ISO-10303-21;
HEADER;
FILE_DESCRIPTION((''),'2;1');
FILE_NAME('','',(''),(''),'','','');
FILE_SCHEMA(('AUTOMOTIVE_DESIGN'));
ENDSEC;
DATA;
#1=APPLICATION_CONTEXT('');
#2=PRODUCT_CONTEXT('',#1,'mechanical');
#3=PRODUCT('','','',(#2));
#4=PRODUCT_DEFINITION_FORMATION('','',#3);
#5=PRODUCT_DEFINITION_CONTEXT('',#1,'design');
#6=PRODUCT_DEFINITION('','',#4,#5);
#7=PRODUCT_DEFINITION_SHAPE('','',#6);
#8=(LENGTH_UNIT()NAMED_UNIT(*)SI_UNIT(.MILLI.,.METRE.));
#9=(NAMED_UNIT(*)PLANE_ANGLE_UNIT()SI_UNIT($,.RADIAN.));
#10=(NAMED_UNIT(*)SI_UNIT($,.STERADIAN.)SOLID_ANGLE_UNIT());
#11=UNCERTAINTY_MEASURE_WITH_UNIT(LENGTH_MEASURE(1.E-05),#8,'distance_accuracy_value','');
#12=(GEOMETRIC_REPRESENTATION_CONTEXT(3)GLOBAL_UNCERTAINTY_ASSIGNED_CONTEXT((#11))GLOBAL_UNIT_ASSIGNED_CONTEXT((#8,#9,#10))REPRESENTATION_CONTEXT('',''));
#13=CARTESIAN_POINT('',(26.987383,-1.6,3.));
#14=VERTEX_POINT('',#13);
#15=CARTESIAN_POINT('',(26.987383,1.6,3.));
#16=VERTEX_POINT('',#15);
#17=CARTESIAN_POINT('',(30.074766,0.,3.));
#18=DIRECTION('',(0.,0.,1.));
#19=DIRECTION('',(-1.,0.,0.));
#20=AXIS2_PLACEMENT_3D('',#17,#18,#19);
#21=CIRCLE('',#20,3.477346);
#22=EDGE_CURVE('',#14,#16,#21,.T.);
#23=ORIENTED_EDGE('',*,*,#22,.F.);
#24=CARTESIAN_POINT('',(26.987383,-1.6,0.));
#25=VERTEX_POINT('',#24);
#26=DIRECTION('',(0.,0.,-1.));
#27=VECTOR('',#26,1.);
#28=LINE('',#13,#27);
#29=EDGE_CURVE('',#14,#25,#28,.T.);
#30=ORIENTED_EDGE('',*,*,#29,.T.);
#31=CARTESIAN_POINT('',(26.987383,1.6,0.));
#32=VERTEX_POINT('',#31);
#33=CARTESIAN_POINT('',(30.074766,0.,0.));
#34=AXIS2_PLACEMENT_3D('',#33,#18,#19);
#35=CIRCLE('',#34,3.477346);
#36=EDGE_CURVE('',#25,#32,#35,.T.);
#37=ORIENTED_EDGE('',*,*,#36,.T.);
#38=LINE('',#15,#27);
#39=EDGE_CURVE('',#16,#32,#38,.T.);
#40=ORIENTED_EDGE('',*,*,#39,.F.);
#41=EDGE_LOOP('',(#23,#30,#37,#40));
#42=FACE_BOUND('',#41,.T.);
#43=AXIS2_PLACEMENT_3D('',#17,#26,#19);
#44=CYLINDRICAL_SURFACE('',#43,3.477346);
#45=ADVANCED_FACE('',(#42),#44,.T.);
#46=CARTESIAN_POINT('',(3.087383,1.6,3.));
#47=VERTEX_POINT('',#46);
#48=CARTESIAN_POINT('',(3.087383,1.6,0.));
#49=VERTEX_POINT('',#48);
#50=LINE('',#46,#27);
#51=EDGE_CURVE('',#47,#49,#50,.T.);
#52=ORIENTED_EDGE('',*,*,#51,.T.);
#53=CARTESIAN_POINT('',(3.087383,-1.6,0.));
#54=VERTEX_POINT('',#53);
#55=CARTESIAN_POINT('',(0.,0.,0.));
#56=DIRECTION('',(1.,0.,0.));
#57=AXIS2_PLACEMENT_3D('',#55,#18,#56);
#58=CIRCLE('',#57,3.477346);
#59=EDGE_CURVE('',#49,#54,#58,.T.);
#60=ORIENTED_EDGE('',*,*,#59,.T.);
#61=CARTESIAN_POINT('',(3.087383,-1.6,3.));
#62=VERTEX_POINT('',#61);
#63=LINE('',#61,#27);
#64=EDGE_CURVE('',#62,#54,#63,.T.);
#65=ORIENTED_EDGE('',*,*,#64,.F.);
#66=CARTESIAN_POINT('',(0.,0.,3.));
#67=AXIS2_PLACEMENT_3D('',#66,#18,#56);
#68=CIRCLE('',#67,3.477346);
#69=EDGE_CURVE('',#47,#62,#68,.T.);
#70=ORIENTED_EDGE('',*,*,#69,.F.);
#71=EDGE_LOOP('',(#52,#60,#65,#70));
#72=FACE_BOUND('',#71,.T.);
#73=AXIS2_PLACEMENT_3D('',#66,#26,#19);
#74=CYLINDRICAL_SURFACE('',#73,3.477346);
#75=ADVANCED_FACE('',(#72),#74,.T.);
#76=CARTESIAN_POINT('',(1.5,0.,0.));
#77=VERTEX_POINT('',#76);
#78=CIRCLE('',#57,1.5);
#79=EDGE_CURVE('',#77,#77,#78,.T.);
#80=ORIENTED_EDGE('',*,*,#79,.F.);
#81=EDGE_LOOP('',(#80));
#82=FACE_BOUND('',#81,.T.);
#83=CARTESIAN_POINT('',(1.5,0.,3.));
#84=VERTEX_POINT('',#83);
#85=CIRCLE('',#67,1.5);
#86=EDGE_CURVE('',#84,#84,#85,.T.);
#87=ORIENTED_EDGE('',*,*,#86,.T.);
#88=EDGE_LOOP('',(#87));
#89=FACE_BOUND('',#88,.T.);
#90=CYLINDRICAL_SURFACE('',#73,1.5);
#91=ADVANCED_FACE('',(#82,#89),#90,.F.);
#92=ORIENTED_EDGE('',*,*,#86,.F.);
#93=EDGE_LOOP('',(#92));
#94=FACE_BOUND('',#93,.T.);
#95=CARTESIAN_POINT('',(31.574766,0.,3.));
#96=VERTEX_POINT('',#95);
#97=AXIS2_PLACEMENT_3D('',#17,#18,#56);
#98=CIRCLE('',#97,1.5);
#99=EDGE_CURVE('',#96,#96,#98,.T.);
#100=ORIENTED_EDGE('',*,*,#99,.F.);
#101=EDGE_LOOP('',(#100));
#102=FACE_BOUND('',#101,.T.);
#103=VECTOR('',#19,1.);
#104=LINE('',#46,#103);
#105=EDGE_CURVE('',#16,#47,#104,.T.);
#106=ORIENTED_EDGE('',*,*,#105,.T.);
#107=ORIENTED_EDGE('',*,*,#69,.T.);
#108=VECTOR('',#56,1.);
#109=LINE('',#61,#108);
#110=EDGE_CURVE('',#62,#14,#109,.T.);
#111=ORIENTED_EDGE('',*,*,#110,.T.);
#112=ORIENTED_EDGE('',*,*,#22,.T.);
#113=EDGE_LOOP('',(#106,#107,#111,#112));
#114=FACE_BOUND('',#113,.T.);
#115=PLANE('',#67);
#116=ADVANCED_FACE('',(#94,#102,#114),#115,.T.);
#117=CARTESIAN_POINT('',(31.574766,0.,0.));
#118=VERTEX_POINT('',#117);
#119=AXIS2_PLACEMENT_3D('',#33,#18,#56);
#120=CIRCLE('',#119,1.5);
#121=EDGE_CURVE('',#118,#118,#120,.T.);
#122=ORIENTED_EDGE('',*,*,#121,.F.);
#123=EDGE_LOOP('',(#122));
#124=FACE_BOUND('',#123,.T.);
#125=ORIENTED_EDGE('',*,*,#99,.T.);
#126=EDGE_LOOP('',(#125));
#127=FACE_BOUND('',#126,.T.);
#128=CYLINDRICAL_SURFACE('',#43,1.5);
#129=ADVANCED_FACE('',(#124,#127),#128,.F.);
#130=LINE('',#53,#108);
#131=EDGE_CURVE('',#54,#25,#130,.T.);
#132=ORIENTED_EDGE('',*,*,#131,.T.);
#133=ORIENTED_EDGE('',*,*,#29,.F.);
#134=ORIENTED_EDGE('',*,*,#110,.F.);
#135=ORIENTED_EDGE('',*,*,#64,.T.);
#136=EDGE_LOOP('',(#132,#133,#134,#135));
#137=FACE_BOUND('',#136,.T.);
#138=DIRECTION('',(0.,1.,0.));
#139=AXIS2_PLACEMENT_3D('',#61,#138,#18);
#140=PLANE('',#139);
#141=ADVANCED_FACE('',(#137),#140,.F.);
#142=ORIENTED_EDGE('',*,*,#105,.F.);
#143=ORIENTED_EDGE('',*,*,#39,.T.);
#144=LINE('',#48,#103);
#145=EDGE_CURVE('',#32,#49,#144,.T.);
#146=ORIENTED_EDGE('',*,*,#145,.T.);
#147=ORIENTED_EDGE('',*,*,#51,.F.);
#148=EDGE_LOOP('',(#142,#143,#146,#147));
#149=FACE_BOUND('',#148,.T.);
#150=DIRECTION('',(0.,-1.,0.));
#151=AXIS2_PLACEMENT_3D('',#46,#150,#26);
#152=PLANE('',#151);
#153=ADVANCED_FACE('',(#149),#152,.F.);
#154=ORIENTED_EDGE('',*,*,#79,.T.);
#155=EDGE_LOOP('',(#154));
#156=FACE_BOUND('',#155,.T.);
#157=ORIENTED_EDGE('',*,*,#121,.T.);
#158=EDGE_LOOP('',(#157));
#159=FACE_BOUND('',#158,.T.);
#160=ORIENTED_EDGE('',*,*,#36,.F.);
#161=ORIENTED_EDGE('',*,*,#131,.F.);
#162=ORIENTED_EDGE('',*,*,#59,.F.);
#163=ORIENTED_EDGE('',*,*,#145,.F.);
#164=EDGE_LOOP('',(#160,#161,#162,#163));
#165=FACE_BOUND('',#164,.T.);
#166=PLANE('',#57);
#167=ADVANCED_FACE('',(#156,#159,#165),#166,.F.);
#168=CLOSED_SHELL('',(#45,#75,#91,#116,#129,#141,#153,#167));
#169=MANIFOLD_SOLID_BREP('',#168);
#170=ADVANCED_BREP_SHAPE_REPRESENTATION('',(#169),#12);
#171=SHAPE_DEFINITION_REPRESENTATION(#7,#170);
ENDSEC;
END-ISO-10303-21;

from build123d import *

# Parameters (mm, degrees)
SKETCH1_R           = 1.5
BOSS_EXTRUDE1_DEPTH = 3


with BuildPart() as part:
    # Sketch1 → Boss-Extrude1 (new body)
    with BuildSketch(Plane.XY):
        with BuildLine():
            Line((3.087382806, 1.6), (26.987382806, 1.6))
            ThreePointArc((26.987382806, 1.6), (33.552111236, 0), (26.987382806, -1.6))
            Line((26.987382806, -1.6), (3.087382806, -1.6))
            ThreePointArc((3.087382806, -1.6), (-3.477345624, 0), (3.087382806, 1.6))
        make_face()
        Circle(SKETCH1_R, mode=Mode.SUBTRACT)
        with Locations((30.074765612, 0)):
            Circle(SKETCH1_R, mode=Mode.SUBTRACT)
    extrude(amount=BOSS_EXTRUDE1_DEPTH)


solid = part.part
